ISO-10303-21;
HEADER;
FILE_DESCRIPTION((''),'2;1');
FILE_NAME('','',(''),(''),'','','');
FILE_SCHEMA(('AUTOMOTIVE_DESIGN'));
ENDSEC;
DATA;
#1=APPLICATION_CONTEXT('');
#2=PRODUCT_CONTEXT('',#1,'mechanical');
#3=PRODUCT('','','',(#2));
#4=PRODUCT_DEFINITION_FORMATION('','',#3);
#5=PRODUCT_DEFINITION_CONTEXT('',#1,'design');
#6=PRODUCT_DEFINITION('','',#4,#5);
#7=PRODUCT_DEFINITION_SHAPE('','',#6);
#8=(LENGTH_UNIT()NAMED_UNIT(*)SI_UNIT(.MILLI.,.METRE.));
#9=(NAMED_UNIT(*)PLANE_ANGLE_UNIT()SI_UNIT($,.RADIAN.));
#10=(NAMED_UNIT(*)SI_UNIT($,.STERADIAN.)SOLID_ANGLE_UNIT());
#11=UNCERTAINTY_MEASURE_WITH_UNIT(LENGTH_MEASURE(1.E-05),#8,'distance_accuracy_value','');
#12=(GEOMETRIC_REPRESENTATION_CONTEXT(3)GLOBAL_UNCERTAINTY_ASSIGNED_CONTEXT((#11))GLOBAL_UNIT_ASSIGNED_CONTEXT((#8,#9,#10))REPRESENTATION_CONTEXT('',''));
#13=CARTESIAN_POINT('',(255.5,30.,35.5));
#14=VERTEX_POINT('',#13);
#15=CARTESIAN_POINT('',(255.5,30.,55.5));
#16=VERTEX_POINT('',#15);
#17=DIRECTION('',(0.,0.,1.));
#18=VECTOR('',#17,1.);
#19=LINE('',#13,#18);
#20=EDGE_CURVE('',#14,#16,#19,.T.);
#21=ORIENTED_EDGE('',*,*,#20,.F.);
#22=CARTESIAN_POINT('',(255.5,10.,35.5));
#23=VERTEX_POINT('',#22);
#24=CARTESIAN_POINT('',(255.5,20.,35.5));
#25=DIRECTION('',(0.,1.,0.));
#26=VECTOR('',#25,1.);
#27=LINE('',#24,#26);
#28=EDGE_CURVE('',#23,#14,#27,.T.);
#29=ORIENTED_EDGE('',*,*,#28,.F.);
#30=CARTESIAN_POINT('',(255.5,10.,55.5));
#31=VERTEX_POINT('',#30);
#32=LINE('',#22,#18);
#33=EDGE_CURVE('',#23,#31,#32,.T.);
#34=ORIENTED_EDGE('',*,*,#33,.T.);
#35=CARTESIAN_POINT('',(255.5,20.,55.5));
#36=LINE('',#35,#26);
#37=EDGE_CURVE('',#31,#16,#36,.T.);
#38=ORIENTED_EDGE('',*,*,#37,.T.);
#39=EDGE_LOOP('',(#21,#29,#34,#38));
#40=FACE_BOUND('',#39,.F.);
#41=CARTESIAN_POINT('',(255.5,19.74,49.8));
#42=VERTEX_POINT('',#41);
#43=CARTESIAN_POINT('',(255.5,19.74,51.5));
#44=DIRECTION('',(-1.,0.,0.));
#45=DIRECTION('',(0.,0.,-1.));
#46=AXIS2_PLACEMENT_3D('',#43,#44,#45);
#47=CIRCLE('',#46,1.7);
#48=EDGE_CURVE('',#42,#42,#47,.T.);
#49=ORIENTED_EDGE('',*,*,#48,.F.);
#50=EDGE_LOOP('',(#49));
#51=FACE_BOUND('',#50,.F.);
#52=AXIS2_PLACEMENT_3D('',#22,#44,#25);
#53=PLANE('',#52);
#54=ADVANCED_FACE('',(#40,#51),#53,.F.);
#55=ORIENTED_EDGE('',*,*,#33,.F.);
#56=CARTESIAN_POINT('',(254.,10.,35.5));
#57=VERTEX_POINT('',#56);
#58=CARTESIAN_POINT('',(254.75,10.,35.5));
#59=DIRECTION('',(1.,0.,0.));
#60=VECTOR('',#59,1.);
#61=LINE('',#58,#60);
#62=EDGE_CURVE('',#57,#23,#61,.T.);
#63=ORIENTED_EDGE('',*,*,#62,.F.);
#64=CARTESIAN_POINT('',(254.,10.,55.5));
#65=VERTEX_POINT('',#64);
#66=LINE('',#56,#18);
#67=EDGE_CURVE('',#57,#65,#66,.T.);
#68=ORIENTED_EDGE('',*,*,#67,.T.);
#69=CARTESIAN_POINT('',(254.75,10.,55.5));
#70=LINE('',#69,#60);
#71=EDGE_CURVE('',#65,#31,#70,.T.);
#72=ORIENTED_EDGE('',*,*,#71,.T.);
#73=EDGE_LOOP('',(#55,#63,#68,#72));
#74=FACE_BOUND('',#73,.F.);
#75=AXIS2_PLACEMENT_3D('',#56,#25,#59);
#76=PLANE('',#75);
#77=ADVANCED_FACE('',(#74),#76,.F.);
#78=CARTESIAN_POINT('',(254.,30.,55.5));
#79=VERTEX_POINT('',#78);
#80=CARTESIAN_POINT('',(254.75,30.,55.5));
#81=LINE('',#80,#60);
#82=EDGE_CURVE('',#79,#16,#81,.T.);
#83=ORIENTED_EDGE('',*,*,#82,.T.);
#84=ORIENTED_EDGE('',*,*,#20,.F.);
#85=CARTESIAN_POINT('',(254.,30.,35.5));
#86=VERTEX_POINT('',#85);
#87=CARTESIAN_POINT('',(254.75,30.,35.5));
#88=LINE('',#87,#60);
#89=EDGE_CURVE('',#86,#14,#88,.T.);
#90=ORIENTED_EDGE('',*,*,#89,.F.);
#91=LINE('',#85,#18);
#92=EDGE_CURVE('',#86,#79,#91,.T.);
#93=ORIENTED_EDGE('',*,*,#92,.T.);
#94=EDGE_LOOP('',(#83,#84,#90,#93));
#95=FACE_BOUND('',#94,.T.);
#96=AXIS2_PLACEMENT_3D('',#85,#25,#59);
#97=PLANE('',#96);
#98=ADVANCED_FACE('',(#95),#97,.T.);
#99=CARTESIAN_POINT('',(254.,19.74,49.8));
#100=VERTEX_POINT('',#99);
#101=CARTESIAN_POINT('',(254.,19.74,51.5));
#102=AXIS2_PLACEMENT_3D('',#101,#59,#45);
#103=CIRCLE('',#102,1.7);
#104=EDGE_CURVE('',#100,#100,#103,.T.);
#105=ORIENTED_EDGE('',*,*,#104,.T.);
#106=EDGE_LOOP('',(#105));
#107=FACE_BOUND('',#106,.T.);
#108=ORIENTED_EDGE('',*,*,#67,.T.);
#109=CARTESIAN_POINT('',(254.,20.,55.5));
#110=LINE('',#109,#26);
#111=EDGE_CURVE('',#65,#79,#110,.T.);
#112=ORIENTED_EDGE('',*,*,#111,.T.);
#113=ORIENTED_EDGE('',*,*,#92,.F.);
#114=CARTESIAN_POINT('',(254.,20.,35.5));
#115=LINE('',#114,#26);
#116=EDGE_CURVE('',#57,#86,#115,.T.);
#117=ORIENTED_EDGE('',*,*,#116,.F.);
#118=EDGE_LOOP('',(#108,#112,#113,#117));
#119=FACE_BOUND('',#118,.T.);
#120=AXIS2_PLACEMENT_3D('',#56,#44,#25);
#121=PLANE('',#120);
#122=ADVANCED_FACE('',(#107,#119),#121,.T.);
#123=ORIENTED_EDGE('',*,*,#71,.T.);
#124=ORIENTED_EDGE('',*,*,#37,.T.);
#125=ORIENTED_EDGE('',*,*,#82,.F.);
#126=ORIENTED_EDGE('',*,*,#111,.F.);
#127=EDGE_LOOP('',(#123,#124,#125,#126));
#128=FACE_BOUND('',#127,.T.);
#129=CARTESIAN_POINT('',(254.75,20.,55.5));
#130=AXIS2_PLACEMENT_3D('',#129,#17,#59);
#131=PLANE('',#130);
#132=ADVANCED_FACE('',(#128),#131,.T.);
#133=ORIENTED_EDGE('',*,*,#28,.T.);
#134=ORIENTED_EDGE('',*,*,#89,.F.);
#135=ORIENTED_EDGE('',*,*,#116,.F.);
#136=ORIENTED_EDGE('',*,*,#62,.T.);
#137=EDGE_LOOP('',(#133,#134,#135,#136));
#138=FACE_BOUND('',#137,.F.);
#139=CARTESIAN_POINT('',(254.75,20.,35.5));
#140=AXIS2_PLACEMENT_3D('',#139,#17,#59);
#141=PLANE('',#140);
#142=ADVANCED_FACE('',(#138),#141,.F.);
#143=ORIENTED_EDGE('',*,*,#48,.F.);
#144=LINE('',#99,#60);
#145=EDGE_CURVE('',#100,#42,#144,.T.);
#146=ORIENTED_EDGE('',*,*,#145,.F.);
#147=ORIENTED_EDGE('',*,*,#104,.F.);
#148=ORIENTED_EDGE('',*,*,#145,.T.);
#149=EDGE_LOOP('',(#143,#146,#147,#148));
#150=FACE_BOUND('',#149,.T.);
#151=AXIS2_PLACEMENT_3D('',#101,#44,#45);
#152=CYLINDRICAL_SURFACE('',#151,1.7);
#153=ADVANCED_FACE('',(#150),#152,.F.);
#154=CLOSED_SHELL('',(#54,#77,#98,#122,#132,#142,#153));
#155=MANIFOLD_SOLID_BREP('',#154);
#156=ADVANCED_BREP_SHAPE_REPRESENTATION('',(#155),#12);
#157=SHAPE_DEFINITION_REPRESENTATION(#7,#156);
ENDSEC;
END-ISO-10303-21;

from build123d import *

# Parameters (mm, degrees)
CYLINDER033_R     = 1.7
CYLINDER033_DEPTH = 20
BOX045_W          = 1.5
BOX045_H          = 20
BOX045_DEPTH      = 20


with BuildPart() as cylinder033:
    # Cylinder033 → Cylinder033 (new body)
    with BuildSketch(Plane(origin=(254, 19.74, 51.5), x_dir=(0, 0, -1), z_dir=(1, 0, 0))):
        Circle(CYLINDER033_R)
    extrude(amount=CYLINDER033_DEPTH)


with BuildPart() as testside_wall:
    # Box045 → Box045 (new body)
    with BuildSketch(Plane(origin=(254, 10, 35.5), x_dir=(1, 0, 0), z_dir=(0, 0, 1))):
        with Locations((0.75, 10)):
            Rectangle(BOX045_W, BOX045_H)
    extrude(amount=BOX045_DEPTH)

    # Cut054: cut Cylinder033
    add(cylinder033.part, mode=Mode.SUBTRACT)


solid = testside_wall.part
